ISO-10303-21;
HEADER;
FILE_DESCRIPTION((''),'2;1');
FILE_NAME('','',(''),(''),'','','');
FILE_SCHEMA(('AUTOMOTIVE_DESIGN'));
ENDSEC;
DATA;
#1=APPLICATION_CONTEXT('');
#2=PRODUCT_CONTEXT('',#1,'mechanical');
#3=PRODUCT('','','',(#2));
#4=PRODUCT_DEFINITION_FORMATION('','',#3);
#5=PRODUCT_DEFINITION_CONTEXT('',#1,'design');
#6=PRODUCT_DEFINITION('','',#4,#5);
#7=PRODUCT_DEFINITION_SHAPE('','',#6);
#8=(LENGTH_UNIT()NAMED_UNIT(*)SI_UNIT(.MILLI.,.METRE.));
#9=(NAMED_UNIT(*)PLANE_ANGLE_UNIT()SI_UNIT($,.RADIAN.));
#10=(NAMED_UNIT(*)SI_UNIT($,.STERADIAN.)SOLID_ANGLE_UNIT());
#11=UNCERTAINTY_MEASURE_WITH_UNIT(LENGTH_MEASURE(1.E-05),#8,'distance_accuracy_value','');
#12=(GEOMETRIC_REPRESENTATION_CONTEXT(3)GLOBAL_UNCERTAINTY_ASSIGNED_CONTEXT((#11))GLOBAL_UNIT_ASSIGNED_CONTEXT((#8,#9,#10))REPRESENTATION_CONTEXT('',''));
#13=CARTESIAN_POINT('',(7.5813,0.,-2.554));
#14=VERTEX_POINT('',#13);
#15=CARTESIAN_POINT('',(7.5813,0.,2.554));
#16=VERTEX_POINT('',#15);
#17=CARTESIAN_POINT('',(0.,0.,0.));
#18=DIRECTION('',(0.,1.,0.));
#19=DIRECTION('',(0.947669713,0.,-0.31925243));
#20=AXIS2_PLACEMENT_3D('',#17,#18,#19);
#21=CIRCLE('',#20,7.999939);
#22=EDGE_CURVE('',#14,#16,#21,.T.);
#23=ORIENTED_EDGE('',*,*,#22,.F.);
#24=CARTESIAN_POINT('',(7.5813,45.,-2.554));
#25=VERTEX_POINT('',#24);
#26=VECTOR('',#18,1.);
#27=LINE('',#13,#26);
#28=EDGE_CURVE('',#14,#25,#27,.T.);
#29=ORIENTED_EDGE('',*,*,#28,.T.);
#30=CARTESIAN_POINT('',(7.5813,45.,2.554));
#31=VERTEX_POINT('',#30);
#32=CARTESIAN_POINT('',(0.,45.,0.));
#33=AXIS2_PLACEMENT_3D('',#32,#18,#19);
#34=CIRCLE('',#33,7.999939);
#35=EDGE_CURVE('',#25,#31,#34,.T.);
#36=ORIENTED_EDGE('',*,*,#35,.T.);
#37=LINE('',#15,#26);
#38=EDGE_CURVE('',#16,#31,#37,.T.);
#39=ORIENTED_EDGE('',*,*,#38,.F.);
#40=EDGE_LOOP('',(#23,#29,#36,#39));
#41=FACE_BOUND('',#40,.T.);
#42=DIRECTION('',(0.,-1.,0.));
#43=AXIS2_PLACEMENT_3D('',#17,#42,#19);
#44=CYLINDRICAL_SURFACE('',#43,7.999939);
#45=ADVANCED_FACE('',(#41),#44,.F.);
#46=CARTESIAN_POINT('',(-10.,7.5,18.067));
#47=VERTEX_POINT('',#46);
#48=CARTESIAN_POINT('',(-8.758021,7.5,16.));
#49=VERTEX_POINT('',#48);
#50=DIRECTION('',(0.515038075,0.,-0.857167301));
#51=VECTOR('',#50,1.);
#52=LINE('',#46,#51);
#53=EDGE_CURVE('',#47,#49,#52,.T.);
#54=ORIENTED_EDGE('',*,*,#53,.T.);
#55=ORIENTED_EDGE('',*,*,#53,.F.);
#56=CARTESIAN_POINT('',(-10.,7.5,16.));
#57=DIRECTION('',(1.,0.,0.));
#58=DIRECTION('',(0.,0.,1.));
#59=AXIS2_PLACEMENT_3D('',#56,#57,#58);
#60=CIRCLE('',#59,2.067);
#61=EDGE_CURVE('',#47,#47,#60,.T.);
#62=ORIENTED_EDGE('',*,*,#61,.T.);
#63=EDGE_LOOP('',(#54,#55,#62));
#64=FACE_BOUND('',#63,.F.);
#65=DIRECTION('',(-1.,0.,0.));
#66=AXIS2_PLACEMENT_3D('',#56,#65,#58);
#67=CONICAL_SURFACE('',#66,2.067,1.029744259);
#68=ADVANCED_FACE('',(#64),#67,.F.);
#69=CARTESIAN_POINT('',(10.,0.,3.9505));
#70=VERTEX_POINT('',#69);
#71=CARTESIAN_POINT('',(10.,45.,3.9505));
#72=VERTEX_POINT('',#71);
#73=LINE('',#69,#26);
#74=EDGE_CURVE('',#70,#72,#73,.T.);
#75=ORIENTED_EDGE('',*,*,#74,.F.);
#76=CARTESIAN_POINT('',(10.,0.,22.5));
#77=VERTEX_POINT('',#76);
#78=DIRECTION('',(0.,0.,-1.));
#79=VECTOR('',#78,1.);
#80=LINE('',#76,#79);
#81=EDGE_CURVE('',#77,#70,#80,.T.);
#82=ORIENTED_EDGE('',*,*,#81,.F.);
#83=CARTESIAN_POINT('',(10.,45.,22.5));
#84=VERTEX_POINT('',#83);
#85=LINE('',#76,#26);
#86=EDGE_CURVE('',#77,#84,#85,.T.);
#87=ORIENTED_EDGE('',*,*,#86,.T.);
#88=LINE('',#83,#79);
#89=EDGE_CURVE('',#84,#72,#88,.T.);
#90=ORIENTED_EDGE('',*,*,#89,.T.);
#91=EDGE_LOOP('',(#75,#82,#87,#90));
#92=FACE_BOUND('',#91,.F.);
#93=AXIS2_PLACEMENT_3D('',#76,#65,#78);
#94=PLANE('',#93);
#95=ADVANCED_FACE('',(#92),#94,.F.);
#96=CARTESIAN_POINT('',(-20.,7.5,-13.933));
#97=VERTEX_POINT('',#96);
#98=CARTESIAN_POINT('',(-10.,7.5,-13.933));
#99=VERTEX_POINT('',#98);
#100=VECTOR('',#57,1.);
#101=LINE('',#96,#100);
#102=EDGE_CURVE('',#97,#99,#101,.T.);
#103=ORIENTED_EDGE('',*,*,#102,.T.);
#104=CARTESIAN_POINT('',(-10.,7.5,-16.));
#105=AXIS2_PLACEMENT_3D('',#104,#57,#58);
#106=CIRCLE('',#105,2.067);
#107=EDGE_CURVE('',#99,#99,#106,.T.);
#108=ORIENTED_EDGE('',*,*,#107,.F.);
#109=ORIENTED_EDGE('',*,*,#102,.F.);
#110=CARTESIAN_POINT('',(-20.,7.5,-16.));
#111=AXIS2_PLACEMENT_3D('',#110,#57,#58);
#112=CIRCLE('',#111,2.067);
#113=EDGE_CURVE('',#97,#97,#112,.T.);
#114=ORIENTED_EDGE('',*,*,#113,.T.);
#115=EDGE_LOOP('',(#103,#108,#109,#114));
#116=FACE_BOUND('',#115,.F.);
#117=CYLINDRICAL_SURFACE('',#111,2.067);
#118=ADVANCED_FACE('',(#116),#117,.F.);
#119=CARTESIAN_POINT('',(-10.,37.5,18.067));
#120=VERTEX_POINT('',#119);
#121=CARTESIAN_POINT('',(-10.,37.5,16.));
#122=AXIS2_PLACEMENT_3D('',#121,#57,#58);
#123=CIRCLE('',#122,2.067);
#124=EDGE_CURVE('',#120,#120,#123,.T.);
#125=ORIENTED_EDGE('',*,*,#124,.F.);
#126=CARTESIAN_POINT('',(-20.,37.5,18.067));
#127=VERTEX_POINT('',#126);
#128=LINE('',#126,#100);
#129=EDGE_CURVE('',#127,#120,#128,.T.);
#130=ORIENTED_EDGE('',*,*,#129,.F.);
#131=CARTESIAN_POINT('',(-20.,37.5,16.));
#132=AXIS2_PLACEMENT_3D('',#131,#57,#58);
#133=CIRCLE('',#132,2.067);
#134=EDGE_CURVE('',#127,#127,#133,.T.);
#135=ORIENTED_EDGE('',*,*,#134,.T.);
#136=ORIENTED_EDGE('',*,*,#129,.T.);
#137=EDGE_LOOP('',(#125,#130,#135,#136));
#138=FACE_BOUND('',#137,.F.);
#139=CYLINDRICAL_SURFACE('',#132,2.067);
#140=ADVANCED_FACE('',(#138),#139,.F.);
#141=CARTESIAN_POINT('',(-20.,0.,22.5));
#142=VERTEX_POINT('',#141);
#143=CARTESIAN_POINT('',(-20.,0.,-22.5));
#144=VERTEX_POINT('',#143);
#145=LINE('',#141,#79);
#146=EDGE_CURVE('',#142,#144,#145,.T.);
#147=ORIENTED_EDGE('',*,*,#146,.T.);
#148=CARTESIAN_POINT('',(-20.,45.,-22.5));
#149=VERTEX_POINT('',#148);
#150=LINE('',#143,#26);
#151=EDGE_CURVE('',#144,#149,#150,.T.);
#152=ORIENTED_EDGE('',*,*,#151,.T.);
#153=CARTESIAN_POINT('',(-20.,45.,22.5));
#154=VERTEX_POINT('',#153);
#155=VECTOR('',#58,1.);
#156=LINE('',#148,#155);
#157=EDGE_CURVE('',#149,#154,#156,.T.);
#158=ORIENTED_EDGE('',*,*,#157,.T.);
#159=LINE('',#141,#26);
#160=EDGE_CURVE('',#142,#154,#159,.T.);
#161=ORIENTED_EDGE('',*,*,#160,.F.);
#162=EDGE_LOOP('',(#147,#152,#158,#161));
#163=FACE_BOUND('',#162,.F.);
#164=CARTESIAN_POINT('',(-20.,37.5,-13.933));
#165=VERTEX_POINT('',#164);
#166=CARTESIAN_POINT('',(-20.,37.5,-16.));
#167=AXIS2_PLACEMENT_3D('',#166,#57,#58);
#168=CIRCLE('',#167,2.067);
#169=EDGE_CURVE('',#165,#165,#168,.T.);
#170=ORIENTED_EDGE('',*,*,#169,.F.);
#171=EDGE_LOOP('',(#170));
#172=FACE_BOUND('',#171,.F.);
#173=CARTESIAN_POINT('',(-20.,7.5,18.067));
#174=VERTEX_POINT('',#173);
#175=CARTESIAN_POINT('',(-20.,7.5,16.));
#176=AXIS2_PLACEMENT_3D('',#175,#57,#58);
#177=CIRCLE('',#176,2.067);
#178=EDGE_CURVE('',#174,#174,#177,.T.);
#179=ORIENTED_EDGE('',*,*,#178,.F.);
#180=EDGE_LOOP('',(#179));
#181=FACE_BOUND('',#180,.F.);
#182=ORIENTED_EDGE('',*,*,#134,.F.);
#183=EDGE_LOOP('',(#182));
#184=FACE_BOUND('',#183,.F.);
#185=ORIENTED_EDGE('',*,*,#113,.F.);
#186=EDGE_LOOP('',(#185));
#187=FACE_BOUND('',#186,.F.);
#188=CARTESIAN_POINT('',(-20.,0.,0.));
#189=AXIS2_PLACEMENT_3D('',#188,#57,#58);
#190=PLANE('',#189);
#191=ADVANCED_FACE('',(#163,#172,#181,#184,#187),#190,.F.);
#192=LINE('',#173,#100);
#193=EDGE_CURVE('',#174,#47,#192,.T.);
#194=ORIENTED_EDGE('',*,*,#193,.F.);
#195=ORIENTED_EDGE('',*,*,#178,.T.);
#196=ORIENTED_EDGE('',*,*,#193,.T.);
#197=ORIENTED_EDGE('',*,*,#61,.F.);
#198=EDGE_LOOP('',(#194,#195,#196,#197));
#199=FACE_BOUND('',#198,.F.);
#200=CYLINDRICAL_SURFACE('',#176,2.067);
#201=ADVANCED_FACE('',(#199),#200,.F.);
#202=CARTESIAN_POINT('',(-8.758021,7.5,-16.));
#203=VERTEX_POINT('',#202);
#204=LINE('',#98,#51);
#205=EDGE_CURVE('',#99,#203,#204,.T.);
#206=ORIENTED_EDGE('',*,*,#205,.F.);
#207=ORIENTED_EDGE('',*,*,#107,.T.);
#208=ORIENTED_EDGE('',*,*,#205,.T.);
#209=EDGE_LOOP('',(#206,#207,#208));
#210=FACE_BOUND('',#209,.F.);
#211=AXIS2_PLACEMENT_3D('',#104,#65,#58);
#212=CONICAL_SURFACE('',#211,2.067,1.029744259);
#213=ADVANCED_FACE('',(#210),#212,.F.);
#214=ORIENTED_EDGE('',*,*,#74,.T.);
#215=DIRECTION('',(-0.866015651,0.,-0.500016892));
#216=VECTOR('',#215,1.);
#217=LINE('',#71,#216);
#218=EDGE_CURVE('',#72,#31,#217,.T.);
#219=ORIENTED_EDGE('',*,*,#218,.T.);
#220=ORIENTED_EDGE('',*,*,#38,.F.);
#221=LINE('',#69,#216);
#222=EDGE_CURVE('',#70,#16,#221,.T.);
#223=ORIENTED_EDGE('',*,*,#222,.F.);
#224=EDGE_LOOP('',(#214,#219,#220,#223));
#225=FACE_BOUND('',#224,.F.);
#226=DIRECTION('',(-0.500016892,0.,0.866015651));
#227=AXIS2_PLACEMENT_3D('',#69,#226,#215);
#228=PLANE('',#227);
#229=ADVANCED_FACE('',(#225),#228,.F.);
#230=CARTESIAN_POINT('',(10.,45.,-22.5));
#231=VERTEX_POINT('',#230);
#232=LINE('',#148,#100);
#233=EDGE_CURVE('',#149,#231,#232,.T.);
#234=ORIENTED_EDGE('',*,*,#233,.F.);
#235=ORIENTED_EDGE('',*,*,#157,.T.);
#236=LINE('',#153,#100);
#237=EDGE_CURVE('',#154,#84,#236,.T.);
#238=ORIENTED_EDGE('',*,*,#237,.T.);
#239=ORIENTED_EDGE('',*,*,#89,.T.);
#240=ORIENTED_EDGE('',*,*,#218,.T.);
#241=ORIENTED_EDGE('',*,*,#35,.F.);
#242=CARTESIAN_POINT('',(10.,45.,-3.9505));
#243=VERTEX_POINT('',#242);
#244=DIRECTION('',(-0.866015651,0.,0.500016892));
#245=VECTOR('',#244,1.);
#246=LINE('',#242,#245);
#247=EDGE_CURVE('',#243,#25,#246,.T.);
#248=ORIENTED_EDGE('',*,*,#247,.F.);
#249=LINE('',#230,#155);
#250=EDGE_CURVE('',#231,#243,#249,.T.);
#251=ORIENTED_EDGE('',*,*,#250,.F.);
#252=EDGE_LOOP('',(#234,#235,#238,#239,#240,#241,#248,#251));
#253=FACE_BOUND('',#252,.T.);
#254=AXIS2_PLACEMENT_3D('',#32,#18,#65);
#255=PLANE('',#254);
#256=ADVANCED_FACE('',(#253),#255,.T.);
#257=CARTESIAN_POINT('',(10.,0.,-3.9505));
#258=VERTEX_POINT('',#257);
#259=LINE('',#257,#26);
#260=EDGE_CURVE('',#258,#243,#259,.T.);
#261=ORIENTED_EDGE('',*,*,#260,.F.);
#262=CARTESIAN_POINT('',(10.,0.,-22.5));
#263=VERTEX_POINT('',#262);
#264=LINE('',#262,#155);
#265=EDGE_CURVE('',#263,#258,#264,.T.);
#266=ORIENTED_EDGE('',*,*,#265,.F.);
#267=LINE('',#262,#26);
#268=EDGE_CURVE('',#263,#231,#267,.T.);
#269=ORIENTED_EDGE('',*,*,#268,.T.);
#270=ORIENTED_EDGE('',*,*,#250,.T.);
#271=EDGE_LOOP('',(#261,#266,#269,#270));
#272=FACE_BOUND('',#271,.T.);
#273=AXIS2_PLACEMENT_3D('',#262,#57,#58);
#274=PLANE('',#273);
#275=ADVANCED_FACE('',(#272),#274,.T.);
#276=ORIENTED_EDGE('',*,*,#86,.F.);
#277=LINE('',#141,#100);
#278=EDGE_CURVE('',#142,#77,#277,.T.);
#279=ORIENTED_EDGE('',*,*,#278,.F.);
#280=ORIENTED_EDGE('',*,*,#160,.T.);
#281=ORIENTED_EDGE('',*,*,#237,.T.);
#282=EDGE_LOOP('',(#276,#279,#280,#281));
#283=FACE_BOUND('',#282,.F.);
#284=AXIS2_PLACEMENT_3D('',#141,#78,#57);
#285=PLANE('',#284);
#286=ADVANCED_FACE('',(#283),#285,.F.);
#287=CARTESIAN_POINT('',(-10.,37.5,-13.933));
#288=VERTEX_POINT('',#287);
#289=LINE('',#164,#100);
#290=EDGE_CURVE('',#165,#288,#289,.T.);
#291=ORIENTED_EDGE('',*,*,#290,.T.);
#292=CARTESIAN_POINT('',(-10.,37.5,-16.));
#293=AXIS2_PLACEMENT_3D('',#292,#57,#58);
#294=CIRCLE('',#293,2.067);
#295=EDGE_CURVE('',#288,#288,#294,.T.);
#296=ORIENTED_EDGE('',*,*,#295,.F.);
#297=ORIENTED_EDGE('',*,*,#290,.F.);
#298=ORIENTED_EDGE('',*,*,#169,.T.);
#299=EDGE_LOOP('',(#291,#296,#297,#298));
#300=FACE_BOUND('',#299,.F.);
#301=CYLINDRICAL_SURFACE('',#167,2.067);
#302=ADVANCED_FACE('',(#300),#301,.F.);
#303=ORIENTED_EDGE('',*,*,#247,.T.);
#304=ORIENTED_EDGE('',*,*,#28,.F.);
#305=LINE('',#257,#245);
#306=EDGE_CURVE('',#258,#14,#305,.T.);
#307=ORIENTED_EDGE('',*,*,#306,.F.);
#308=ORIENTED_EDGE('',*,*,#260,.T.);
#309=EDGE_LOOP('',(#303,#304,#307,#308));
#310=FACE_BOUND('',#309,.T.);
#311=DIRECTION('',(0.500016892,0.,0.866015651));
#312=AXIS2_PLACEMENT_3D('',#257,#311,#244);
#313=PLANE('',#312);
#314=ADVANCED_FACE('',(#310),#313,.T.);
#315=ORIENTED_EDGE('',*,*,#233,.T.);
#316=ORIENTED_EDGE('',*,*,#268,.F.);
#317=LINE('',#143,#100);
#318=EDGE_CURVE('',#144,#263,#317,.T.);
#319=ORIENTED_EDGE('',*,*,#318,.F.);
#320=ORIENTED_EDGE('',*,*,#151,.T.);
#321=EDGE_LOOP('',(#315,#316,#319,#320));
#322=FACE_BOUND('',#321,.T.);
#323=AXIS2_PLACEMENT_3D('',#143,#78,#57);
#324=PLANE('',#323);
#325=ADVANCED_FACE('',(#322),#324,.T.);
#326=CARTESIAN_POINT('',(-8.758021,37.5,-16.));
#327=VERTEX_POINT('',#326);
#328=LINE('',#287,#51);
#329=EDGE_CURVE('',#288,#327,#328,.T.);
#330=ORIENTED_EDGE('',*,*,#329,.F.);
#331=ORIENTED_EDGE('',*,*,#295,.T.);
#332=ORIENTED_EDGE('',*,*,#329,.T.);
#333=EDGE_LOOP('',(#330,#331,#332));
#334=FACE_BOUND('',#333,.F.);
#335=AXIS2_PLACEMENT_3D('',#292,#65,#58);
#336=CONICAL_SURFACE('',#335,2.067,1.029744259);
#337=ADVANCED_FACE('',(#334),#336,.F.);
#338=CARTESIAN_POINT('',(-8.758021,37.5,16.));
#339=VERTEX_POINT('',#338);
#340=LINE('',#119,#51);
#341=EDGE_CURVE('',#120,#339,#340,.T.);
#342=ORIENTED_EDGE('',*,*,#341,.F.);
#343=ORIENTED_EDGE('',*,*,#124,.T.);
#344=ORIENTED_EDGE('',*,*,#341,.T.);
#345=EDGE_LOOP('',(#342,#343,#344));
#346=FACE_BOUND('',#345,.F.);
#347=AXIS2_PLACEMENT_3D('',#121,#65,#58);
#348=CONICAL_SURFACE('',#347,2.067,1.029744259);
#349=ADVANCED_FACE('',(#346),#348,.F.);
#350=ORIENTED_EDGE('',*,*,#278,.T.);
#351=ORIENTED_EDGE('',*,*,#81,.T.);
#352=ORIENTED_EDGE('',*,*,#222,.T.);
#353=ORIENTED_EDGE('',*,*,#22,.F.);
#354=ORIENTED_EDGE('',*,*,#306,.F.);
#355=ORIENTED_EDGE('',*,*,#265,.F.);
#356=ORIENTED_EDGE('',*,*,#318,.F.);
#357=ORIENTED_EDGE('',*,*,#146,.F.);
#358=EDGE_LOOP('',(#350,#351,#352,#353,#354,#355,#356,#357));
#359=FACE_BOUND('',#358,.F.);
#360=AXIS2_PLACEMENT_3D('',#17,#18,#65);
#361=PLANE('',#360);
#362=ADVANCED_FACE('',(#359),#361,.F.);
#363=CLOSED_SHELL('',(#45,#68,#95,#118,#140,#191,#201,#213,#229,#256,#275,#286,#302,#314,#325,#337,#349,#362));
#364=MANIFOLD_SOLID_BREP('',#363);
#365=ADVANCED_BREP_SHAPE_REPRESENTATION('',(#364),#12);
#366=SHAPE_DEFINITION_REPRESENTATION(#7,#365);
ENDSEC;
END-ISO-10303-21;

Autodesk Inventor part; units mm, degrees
ref_plane "YZ Plane" through (0, 0, 0) normal (1, 0, 0) x (0, 1, 0)
ref_plane "XZ Plane" through (0, 0, 0) normal (0, 1, 0) x (-1, 0, 0)
ref_plane "XY Plane" through (0, 0, 0) normal (0, 0, 1) x (1, 0, 0)
sketch "スケッチ1" plane through (0, 0, 0) normal (0, 1, 0) x (-1, 0, 0)
  arc A0 (-7.5813, -2.554) -> (-7.5813, 2.554) centre (0, 0) ccw
  line L0 (-10, -3.9505) -> (-7.5813, -2.554)
  line L1 (20, 0) -> (20, -22.5)
  line L2 (20, -22.5) -> (-10, -22.5)
  line L3 (-10, -22.5) -> (-10, -3.9505)
  line L4 (-10, 3.9505) -> (-7.5813, 2.554)
  line L5 (20, 0) -> (20, 22.5)
  line L6 (20, 22.5) -> (-10, 22.5)
  line L7 (-10, 22.5) -> (-10, 3.9505)
  dimension "d4" = 16
  dimension "d8" = 20
  dimension "d9" = 22.5
  dimension "d10" = 30
extrude "押し出し1" add sketch "スケッチ1" along normal blind 45
sketch "スケッチ2" plane through (-20, 0, -22.5) normal (-1, 0, 0) x (0, 0, 1)
  line L0 (45, 0) -> (45, 45) projected
  line L1 (0, 45) -> (45, 45) projected
  line L2 (0, 0) -> (45, 0) projected
  line L3 (22.5, 22.5) -> (22.5, 37.5)
  line L4 (22.5, 37.5) -> (38.5, 37.5)
  line L5 (22.5, 22.5) -> (0, 22.5)
  point P0 (22.5, 0)
  point P1 (6.5, 37.5)
  point P2 (38.5, 7.5)
  point P3 (6.5, 7.5)
  dimension "d13" = 15
  dimension "d14" = 16
hole "穴1" at (-20, 37.5, 16) at (-20, 37.5, -16) at (-20, 7.5, 16) at (-20, 7.5, -16) direction (1, 0, 0) diameter 4.134 depth 10 tip angle 118 thread size "M5x0.8" class "6H" standard "ISO Metric profile"
properties part number "linearbearing" material "ステンレス鋼 440C"
